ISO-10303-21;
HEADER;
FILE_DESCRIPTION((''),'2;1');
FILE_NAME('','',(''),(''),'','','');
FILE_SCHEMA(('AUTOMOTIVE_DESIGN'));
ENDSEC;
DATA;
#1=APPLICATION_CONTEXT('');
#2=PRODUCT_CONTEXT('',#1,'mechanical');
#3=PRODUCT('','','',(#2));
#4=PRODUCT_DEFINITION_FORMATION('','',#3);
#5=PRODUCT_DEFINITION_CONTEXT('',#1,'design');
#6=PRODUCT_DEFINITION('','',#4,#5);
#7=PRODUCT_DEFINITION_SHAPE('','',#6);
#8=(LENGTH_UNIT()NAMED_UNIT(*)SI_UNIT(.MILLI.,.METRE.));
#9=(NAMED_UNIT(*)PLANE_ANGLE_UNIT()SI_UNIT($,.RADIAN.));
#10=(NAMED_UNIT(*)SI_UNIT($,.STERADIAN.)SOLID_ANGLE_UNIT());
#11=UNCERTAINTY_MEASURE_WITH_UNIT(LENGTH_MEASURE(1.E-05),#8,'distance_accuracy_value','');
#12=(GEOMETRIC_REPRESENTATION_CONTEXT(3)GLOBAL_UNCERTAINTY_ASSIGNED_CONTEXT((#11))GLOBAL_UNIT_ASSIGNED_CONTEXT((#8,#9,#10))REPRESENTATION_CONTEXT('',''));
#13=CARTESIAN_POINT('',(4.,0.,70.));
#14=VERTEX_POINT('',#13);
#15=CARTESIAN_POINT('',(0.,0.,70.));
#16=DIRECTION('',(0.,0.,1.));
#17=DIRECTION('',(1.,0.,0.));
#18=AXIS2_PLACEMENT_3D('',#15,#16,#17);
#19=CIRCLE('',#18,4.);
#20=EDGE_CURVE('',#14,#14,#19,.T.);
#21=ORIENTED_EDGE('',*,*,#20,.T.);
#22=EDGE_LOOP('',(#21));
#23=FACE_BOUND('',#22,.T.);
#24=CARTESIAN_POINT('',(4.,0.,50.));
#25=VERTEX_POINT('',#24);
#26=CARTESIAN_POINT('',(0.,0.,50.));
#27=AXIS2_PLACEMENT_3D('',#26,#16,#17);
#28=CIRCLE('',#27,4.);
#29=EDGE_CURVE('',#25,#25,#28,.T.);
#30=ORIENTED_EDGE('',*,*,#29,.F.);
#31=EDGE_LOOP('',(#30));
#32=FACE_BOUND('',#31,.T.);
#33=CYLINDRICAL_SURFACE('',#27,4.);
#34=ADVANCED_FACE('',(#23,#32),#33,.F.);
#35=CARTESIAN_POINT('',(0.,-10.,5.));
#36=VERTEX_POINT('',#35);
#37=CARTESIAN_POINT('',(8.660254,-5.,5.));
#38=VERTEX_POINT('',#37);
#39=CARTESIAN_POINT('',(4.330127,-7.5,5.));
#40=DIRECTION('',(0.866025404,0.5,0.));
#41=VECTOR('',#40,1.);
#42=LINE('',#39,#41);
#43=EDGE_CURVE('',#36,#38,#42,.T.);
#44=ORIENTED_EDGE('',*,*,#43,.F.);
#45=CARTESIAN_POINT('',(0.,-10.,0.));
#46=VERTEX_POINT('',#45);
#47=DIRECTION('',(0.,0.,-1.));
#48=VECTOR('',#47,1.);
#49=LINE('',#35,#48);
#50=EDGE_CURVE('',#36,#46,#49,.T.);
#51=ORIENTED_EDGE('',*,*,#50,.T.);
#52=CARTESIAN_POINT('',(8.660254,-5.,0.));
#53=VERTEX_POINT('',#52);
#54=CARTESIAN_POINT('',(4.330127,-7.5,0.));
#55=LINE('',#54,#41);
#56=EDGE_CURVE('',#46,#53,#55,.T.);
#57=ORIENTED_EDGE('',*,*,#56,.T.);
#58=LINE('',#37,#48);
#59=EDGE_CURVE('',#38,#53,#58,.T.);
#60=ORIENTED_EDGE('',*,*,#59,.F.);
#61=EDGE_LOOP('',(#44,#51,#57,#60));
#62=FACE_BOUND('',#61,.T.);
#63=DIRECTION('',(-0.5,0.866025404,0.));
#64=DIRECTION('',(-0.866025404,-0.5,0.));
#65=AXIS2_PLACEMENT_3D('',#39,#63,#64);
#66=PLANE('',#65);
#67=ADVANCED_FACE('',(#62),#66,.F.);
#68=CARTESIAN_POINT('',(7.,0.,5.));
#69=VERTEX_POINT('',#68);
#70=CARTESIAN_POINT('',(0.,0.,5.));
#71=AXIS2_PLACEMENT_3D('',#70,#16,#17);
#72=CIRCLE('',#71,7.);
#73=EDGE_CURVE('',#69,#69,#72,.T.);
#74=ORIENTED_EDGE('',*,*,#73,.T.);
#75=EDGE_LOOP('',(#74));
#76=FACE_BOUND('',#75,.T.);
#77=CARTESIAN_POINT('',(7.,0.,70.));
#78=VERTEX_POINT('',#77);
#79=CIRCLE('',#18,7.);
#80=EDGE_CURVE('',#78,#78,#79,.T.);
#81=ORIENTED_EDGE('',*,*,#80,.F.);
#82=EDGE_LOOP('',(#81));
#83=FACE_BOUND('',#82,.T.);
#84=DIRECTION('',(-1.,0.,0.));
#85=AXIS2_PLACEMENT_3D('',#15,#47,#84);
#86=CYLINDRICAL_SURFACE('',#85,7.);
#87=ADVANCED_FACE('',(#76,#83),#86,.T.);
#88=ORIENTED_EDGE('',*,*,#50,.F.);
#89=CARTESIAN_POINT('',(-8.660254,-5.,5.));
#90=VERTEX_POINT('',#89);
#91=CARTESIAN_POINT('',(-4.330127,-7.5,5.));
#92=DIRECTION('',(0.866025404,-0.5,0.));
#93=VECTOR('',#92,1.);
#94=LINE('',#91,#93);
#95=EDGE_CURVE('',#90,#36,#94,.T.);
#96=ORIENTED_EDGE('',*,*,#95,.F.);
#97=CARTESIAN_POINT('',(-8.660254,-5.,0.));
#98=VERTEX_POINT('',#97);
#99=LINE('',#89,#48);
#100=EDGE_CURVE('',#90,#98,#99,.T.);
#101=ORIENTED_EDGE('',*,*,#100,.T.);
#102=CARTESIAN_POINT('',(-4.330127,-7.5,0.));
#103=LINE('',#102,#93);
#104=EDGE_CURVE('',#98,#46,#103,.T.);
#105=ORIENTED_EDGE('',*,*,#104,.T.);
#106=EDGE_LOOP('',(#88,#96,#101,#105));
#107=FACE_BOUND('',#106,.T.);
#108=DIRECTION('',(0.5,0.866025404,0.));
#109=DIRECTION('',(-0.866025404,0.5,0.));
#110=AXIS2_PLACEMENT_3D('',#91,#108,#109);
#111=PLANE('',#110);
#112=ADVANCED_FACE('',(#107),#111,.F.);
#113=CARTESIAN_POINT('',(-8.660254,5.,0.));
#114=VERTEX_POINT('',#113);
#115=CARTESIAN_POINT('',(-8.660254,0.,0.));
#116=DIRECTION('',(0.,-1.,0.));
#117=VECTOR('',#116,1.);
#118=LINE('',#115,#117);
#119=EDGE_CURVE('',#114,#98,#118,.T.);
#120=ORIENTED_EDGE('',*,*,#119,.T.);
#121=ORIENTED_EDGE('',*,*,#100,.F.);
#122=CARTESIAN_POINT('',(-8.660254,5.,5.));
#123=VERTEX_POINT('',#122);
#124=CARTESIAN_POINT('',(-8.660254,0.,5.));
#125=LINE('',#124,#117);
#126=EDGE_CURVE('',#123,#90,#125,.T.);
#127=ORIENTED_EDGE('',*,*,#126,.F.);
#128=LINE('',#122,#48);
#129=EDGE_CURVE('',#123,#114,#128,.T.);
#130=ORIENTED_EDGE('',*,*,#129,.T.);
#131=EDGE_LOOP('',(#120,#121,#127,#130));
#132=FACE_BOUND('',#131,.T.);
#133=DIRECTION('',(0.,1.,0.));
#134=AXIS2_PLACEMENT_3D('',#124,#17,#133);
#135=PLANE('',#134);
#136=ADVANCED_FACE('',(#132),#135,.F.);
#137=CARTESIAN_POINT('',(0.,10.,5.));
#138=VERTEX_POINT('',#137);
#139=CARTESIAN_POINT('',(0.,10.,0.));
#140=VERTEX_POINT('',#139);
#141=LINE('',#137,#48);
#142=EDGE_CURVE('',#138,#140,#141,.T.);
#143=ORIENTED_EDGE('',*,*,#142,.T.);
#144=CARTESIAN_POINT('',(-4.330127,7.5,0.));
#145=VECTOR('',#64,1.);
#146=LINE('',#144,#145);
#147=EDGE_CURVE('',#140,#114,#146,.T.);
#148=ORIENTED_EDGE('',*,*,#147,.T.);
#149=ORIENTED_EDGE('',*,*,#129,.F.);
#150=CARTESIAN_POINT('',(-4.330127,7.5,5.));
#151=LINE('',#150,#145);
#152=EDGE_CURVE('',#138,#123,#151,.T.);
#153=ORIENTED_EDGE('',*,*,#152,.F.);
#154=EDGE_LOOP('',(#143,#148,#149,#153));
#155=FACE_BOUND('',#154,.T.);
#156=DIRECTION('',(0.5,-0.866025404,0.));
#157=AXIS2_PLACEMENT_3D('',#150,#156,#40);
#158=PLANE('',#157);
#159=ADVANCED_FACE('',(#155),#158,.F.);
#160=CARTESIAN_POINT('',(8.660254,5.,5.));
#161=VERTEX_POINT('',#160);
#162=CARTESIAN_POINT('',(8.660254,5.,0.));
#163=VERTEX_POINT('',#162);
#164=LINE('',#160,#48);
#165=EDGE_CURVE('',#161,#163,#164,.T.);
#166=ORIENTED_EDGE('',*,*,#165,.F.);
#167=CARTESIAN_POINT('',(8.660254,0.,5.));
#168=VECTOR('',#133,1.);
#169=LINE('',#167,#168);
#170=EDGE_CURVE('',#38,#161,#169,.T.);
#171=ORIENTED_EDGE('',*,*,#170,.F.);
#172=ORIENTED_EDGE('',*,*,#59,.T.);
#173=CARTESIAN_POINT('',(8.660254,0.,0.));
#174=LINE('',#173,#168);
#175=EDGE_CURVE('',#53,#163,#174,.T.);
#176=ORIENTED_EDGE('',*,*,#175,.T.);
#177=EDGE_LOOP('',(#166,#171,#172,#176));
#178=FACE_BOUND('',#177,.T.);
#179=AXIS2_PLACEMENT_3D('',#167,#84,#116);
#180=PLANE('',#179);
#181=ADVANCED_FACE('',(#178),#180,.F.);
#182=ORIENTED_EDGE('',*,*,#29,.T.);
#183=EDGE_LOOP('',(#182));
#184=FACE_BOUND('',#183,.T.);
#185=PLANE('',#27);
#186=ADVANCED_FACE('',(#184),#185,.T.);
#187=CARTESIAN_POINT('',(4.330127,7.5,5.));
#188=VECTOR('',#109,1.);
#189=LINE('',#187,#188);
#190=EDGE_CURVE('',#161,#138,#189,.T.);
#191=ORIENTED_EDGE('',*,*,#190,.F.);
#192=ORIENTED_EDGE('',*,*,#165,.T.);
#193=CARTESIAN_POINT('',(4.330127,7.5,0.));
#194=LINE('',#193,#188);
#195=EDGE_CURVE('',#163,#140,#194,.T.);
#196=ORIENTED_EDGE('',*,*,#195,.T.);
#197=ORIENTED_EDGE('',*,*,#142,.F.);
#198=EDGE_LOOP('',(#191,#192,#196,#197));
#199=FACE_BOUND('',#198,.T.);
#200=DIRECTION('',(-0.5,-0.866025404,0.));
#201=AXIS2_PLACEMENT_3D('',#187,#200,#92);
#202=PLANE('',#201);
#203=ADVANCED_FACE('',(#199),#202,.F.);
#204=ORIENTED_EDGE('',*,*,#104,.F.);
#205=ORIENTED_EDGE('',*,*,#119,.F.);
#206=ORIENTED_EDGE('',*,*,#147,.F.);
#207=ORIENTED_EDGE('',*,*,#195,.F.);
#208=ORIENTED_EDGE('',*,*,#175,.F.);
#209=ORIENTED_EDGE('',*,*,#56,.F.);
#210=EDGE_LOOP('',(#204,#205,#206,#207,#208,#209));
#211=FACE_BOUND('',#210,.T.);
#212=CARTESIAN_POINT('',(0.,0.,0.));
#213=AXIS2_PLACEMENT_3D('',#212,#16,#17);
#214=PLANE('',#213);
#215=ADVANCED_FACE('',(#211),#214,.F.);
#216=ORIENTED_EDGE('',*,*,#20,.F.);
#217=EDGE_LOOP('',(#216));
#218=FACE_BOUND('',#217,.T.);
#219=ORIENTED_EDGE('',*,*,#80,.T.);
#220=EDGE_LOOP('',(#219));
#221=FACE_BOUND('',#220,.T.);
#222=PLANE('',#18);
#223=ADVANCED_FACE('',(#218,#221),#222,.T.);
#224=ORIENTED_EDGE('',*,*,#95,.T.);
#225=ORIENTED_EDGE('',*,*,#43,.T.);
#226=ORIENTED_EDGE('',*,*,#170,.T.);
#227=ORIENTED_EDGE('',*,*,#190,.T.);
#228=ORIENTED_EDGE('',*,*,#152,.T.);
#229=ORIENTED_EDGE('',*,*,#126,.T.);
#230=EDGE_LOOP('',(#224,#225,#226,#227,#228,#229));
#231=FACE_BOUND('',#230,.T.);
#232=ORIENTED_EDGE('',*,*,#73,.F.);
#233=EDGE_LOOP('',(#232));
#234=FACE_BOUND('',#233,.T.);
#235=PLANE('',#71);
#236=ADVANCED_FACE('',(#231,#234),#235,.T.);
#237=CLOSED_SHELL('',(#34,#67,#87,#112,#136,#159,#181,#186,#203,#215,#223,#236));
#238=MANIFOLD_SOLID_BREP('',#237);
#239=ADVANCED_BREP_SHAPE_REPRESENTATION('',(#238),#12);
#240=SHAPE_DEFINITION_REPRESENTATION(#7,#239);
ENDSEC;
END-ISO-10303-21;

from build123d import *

# Parameters (mm, degrees)
BOSS_EXTRUDE1_DEPTH = 5
SKETCH2_R           = 7
BOSS_EXTRUDE2_DEPTH = 65
SKETCH3_R           = 4
CUT_EXTRUDE1_DEPTH  = 20


with BuildPart() as part:
    # Sketch1 → Boss-Extrude1 (new body)
    with BuildSketch(Plane.XY):
        Polygon((8.660254038, -5), (8.660254038, 5), (0, 10), (-8.660254038, 5), (-8.660254038, -5), (0, -10), align=None)
    extrude(amount=BOSS_EXTRUDE1_DEPTH)

    # Sketch2 → Boss-Extrude2 (add)
    with BuildSketch(Plane.XY.offset(5)):
        Circle(SKETCH2_R)
    extrude(amount=BOSS_EXTRUDE2_DEPTH)

    # Sketch3 → Cut-Extrude1 (cut)
    with BuildSketch(Plane.XY.offset(70)):
        Circle(SKETCH3_R)
    extrude(amount=-CUT_EXTRUDE1_DEPTH, mode=Mode.SUBTRACT)


solid = part.part
